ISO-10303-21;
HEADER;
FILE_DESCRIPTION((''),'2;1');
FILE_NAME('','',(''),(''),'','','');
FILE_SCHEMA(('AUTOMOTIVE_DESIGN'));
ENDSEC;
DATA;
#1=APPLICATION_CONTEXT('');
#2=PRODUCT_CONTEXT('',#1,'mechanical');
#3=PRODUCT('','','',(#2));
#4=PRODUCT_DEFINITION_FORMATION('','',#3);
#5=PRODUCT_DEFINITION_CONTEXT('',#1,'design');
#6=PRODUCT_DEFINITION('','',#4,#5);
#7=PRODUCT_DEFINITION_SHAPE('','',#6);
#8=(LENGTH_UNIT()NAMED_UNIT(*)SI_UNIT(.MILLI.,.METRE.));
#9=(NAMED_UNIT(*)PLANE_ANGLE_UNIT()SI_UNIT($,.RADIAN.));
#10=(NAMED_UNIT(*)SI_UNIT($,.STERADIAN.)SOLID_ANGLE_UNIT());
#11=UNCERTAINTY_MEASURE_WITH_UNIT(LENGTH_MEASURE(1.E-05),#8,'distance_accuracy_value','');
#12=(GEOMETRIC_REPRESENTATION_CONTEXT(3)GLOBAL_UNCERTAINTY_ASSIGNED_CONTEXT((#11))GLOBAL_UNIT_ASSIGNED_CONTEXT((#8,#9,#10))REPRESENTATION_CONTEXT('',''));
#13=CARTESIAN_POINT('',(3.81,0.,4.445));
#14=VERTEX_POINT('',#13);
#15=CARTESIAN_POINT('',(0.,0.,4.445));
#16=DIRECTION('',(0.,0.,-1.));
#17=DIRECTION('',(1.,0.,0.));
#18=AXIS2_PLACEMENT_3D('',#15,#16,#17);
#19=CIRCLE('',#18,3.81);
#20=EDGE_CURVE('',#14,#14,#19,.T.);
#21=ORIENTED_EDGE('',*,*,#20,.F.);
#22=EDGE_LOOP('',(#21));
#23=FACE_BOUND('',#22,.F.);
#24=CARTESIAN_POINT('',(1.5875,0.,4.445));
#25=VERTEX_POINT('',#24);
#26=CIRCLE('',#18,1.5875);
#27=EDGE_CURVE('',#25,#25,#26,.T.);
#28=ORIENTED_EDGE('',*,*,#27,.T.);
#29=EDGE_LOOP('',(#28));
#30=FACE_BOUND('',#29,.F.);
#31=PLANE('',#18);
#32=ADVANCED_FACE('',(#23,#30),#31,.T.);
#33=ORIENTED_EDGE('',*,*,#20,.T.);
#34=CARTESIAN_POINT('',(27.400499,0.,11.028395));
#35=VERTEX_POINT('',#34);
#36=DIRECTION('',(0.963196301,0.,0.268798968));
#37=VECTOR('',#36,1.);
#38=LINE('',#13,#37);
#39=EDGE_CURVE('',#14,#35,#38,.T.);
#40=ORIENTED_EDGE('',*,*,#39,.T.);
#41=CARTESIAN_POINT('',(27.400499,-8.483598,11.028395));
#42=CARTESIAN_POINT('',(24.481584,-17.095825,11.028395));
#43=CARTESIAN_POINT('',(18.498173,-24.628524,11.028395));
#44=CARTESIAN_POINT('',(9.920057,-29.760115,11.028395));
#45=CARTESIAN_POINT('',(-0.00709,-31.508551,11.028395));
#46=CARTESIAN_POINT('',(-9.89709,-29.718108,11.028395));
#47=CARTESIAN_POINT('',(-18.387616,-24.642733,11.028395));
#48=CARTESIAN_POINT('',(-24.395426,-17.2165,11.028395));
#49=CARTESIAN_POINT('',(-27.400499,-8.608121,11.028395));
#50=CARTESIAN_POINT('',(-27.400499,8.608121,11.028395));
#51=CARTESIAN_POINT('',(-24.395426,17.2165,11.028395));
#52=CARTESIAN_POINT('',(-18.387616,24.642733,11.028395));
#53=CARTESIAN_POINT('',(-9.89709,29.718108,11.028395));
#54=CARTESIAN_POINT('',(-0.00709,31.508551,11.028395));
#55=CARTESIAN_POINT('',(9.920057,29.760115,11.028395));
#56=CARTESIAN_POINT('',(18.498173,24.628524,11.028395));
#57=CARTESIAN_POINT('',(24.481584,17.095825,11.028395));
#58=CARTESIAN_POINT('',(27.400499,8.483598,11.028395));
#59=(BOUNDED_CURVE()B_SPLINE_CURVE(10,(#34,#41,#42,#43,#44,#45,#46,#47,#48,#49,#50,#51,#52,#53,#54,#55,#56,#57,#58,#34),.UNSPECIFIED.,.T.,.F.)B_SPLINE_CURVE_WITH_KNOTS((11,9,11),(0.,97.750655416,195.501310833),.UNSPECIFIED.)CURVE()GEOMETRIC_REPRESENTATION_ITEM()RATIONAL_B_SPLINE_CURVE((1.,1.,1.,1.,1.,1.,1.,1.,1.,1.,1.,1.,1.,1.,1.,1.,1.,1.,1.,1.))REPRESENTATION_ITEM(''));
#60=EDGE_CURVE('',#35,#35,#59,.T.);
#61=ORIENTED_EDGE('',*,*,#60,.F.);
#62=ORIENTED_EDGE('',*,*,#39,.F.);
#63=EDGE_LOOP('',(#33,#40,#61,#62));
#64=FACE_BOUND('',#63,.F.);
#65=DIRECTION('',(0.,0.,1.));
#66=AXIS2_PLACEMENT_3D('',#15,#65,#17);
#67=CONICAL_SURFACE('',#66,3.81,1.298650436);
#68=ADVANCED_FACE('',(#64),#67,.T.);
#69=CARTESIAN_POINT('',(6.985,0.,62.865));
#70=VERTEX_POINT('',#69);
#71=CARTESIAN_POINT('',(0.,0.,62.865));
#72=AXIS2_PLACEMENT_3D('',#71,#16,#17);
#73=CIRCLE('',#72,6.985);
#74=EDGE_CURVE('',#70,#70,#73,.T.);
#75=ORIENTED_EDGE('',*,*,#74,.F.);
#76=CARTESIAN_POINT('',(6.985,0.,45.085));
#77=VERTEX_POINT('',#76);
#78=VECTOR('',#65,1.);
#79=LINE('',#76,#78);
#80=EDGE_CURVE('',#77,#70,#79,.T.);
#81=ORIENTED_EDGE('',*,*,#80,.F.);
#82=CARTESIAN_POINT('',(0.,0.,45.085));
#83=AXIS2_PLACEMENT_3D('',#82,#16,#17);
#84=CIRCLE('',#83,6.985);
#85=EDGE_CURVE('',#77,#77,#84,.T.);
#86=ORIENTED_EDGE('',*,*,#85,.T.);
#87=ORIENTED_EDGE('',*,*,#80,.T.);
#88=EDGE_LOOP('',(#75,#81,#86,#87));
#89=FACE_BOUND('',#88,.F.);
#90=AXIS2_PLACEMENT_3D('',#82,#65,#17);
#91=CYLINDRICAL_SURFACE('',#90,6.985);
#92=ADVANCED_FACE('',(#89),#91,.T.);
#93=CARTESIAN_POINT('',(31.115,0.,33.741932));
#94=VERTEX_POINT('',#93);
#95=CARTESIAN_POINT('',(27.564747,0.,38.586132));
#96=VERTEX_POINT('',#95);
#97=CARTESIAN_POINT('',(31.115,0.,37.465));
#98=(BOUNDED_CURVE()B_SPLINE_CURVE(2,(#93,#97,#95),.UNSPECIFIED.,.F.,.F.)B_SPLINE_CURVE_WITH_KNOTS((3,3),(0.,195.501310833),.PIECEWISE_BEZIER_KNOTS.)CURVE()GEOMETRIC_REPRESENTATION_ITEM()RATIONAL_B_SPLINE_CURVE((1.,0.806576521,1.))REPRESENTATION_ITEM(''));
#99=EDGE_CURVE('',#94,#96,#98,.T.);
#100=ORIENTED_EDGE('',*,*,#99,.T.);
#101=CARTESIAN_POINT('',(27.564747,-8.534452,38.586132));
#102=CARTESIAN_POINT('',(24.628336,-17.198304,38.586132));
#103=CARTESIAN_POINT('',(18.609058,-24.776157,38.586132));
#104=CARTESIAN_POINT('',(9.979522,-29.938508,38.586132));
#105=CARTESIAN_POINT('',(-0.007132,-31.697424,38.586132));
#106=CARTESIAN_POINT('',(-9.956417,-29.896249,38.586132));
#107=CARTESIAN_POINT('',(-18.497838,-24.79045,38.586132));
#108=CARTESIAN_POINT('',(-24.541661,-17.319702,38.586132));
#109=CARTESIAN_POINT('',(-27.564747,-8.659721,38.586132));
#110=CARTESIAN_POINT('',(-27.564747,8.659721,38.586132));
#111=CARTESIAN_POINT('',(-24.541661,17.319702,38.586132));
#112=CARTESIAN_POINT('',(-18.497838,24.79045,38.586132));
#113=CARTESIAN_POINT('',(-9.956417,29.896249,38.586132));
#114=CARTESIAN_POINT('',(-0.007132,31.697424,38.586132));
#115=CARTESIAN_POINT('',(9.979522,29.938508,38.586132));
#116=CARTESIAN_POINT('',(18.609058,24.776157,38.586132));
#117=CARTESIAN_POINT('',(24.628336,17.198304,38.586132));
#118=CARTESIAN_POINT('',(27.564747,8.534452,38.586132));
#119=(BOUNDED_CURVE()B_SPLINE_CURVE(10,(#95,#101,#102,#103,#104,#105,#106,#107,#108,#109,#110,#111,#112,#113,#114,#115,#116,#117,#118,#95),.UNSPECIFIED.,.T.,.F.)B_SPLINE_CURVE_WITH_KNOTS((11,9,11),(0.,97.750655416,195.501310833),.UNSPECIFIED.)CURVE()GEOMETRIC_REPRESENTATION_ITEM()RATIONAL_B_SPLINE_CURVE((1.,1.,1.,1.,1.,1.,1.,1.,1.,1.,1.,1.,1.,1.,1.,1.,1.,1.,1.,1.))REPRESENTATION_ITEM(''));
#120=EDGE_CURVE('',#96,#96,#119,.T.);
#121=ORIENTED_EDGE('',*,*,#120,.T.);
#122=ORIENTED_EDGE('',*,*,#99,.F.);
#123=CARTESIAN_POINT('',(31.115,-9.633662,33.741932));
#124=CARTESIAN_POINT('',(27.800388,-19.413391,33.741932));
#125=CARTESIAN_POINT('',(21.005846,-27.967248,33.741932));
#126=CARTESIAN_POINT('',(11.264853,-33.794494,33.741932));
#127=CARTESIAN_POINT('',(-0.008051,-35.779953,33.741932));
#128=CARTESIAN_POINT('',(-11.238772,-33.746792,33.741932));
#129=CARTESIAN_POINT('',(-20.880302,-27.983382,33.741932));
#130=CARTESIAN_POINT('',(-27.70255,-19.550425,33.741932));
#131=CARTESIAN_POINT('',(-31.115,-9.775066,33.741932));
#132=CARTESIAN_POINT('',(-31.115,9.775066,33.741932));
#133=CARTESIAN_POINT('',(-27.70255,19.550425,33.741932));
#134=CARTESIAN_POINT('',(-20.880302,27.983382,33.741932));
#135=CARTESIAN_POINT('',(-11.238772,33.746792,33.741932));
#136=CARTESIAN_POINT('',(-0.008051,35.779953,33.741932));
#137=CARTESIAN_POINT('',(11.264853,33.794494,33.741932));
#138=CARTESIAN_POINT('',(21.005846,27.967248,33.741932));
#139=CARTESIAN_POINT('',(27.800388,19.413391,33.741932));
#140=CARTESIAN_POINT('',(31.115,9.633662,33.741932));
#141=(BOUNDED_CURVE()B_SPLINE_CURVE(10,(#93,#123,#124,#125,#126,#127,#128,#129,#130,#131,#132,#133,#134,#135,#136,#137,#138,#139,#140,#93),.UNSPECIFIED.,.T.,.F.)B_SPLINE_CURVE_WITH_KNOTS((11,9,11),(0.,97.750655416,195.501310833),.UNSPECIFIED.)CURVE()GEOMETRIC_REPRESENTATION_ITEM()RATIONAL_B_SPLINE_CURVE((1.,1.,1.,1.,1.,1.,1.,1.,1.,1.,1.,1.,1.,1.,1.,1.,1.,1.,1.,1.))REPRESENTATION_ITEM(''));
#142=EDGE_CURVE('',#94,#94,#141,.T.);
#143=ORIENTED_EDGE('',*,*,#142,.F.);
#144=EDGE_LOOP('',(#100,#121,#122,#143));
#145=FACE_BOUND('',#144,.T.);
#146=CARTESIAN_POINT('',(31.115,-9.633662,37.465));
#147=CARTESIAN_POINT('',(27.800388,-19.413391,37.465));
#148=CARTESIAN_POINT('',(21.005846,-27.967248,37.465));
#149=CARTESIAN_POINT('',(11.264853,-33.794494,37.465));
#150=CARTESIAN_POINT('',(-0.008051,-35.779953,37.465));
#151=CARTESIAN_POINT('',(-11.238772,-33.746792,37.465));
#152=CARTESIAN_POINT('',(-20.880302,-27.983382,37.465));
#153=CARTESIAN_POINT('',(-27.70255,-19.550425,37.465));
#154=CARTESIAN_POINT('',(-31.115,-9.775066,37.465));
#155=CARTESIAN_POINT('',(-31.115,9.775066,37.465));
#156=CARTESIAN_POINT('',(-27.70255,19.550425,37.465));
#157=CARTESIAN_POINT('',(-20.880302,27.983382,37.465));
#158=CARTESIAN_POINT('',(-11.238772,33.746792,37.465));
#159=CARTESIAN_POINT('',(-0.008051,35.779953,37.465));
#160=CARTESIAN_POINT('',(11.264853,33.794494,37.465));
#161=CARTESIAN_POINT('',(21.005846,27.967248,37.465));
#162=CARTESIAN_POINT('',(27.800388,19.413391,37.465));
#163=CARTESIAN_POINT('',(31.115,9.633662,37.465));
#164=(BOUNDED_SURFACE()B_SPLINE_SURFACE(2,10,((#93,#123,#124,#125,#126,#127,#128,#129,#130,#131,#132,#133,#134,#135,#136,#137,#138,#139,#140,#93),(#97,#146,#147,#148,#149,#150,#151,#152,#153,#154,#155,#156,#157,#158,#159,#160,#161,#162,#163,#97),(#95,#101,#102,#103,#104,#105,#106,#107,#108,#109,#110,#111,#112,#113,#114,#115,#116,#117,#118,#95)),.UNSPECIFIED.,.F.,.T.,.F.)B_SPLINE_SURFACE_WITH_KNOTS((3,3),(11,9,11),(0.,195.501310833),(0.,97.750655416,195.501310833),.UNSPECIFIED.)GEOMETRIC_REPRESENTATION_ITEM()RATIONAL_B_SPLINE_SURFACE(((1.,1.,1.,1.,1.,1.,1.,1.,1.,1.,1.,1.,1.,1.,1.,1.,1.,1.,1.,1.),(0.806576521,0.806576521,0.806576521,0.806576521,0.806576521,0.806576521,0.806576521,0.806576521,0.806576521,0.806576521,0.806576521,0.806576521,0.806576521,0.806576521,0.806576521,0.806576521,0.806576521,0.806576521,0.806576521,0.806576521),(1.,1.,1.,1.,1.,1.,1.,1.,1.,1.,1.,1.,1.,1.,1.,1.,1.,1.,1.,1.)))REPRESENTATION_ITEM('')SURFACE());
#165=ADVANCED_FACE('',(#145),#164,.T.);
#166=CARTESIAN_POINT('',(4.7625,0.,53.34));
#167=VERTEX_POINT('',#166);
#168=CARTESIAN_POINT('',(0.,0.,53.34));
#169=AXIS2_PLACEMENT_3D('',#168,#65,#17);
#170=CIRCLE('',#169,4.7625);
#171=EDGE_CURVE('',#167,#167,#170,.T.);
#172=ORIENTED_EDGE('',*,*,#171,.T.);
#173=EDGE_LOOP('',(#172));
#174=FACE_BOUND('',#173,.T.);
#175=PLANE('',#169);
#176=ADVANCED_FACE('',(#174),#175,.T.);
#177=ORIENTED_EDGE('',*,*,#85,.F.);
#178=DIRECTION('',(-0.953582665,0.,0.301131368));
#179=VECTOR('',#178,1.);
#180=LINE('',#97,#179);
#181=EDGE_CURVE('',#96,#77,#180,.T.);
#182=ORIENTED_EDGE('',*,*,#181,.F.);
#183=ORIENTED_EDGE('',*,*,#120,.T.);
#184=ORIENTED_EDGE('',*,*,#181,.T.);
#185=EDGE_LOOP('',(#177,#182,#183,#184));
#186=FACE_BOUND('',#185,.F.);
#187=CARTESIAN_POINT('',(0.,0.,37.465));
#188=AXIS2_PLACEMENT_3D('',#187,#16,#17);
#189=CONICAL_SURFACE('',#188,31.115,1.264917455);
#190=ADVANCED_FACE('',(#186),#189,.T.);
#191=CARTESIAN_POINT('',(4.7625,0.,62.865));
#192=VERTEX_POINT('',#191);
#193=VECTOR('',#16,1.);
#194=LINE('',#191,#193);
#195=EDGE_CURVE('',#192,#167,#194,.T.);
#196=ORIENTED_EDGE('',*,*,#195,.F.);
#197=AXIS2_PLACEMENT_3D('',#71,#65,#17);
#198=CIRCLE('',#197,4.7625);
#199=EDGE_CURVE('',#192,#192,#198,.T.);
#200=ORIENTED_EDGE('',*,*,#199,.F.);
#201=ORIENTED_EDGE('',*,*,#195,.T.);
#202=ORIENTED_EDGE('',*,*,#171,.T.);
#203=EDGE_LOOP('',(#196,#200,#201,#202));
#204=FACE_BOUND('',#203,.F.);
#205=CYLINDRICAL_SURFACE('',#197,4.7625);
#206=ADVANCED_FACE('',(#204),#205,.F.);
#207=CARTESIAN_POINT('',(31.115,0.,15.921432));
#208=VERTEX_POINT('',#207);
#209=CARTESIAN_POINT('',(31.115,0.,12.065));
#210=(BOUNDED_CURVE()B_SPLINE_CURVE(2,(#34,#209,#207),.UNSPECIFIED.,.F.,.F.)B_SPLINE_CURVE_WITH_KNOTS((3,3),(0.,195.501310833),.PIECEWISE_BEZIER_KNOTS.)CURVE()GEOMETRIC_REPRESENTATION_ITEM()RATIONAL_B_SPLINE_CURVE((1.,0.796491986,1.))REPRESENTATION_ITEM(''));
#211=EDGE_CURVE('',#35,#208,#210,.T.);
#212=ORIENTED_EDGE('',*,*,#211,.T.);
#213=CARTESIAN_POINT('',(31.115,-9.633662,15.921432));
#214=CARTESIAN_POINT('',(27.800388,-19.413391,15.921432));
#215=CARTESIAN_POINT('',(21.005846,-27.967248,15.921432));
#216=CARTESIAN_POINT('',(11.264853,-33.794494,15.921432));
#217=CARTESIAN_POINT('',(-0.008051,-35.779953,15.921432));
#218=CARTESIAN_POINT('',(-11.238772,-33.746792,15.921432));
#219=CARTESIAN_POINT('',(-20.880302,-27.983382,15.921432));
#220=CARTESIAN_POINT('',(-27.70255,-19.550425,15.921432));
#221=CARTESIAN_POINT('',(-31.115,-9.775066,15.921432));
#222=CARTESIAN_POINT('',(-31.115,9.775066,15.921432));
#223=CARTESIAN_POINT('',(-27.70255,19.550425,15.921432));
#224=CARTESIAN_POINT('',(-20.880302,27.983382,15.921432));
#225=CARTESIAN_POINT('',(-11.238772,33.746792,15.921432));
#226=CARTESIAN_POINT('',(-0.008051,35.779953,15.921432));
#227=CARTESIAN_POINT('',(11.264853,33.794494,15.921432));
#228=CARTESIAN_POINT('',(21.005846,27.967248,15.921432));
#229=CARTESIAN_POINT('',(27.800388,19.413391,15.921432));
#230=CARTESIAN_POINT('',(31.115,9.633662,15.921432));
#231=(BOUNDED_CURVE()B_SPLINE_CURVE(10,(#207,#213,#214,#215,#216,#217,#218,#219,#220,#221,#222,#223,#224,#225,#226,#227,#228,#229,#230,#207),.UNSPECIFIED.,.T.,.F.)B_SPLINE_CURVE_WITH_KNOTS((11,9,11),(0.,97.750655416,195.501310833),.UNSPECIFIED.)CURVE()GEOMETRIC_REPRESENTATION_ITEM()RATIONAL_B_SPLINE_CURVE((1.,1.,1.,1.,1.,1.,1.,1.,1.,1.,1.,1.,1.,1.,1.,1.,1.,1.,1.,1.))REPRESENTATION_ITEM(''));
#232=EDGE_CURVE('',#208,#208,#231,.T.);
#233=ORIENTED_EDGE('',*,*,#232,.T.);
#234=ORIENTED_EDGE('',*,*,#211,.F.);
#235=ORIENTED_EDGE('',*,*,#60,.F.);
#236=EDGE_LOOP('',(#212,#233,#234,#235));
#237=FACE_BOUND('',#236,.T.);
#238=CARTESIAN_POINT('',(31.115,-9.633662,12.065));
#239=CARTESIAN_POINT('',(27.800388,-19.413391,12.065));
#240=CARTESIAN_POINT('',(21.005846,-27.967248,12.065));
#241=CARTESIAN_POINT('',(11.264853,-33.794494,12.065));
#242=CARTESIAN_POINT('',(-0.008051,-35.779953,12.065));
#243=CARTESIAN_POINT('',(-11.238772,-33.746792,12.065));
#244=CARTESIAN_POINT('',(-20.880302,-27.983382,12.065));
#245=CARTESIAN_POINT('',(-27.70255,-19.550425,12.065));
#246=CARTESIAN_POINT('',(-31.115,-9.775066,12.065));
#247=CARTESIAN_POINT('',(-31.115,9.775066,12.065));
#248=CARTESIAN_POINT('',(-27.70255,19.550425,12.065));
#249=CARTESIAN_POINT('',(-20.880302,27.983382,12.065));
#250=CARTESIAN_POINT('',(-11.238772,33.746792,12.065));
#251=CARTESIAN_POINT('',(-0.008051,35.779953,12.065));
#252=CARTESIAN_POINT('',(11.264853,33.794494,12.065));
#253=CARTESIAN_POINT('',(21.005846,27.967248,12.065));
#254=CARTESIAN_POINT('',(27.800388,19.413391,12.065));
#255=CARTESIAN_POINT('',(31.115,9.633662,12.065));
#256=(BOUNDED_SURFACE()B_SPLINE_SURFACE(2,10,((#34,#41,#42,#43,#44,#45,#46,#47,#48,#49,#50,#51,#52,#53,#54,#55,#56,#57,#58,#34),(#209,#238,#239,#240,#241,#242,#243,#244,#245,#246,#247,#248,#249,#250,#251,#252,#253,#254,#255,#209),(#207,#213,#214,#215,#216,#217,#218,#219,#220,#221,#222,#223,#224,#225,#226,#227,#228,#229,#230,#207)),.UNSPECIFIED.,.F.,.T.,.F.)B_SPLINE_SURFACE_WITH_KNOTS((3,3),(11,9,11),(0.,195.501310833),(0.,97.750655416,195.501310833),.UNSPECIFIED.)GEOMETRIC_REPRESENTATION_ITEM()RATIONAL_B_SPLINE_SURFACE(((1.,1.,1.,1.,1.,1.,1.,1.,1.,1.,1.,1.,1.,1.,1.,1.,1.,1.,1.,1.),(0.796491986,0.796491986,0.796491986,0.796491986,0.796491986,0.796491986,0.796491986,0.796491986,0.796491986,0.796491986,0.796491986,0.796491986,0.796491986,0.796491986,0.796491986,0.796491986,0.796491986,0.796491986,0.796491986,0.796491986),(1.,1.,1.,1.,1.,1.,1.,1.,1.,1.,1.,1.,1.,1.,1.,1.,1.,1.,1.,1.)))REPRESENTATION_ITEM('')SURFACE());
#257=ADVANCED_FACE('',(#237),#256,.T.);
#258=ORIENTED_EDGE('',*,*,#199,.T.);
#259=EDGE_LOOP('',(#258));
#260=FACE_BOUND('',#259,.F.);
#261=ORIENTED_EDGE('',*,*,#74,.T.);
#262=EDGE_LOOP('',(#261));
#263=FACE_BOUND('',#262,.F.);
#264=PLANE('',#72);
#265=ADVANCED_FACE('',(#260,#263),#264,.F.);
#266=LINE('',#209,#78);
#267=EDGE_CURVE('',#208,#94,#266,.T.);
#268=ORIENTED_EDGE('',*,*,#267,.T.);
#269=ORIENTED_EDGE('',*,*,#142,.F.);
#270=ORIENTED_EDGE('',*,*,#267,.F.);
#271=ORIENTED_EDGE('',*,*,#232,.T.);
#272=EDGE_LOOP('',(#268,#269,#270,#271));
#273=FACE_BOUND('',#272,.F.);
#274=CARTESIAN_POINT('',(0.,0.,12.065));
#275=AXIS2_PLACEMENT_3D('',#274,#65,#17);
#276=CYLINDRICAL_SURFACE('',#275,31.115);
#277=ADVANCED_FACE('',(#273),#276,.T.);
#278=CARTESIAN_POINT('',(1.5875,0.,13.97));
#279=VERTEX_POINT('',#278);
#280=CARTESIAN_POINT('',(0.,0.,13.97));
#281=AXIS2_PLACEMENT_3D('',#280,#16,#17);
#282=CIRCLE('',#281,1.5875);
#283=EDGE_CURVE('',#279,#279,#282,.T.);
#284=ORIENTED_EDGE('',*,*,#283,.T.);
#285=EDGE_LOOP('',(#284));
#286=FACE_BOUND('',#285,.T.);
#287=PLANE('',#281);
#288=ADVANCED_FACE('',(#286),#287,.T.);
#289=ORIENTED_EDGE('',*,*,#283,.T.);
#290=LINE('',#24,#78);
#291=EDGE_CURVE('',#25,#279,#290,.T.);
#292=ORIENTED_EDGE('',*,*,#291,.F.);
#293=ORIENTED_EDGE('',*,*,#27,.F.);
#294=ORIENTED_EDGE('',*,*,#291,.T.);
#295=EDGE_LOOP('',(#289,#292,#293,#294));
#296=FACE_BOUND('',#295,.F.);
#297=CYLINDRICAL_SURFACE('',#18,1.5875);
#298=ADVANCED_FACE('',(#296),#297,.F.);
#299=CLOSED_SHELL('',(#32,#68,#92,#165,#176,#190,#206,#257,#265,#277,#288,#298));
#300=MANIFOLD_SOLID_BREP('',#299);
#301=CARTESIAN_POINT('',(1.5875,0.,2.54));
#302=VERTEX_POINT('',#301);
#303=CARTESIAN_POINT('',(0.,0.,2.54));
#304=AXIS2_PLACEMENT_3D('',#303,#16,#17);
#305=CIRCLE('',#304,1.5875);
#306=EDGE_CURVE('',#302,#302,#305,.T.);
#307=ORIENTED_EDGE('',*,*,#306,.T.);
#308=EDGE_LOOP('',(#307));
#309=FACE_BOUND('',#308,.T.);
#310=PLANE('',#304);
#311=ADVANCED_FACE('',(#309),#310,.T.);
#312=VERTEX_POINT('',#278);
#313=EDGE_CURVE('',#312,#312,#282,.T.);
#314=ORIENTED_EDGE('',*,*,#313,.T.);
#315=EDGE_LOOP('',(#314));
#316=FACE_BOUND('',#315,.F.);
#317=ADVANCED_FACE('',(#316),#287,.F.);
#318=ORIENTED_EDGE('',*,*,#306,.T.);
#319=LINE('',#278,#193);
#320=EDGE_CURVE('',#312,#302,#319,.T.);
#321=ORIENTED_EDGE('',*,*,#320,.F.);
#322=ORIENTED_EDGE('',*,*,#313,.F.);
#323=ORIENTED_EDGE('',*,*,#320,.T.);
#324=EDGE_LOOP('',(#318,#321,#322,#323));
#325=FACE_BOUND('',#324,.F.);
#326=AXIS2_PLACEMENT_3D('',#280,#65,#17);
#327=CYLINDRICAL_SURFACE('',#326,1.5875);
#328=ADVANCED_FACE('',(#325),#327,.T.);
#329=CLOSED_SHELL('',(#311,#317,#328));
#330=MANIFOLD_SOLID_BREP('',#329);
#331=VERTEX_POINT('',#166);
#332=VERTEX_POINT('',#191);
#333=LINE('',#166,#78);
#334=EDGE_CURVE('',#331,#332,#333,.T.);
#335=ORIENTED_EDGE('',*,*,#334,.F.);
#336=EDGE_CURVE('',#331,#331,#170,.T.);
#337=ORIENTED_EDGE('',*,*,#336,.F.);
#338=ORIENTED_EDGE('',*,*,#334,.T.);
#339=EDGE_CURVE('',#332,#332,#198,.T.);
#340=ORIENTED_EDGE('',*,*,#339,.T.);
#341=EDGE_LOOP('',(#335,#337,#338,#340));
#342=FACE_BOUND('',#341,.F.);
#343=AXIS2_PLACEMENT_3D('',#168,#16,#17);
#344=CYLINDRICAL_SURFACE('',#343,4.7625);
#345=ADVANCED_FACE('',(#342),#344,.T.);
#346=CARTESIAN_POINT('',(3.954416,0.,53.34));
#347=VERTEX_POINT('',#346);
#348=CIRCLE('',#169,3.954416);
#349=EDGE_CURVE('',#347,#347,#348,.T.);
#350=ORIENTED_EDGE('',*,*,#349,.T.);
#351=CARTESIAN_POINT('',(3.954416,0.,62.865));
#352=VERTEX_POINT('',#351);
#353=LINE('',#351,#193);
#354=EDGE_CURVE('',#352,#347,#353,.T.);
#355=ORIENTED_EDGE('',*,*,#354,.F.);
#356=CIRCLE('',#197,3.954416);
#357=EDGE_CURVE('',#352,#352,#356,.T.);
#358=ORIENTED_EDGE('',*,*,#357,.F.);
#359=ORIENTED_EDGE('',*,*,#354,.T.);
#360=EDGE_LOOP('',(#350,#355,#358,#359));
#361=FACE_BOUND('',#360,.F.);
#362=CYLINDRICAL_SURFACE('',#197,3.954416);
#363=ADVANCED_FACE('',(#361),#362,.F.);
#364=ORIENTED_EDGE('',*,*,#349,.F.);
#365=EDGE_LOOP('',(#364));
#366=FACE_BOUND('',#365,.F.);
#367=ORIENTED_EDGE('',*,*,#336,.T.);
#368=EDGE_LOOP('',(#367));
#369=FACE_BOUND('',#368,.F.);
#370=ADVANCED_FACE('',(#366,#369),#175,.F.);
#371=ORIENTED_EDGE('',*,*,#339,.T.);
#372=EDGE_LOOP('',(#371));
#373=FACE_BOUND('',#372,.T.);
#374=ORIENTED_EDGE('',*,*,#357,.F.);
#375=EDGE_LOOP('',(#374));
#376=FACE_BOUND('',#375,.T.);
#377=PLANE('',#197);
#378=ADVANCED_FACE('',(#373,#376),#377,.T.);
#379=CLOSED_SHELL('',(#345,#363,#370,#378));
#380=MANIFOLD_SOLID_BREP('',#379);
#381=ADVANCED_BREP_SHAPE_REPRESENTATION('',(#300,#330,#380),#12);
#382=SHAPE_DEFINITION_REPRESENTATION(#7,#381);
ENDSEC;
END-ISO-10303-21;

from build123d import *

# Parameters (mm, degrees)
F2_R      = 4.7625
F3_DEPTH  = 9.525
F4_R      = 1.5875
F5_DEPTH  = 9.525
F3_FACE_R = 4.7625
F6_DEPTH  = 9.525
F7_R      = 3.954416
F8_DEPTH  = 9.525
F5_FACE_R = 1.5875
F9_DEPTH  = 11.43
F10_R     = 5.08


with BuildPart() as f1:
    # F0 (on Front) → F1 (revolve)
    with BuildSketch(Plane.XZ):
        Polygon((3.81, 4.445), (31.115, 12.065), (31.115, 37.465), (6.985, 45.085), (6.985, 62.865), (0, 62.865), (0, 4.445), align=None)
    revolve(axis=Axis((0, 0, 33.655), (0, 0, -1)))

    # F2 (on face) → F3 (cut)
    with BuildSketch(Plane.XY.offset(62.865)):
        Circle(F2_R)
    extrude(amount=-F3_DEPTH, mode=Mode.SUBTRACT)

    # F4 (on face) → F5 (cut)
    with BuildSketch(Plane(origin=(0, 0, 4.445), x_dir=(1, 0, 0), z_dir=(0, 0, -1))):
        Circle(F4_R)
    extrude(amount=-F5_DEPTH, mode=Mode.SUBTRACT)

    # F10
    f10_edges = [f1.edges().sort_by_distance(p)[0] for p in [
        (-31.115, 0, 12.065),
        (-31.115, 0, 37.465),
        (31.115, 0, 24.765),
    ]]
    fillet(f10_edges, radius=F10_R)


with BuildPart() as f6:
    # F3_face (on face) → F6 (new body)
    with BuildSketch(Plane.XY.offset(53.34)):
        Circle(F3_FACE_R)
    extrude(amount=F6_DEPTH)

    # F7 (on face) → F8 (cut)
    with BuildSketch(Plane.XY.offset(62.865)):
        Circle(F7_R)
    extrude(amount=-F8_DEPTH, mode=Mode.SUBTRACT)


with BuildPart() as f9:
    # F5_face (on face) → F9 (new body)
    with BuildSketch(Plane(origin=(0, 0, 13.97), x_dir=(1, 0, 0), z_dir=(0, 0, -1))):
        Circle(F5_FACE_R)
    extrude(amount=F9_DEPTH)


solid = Compound([f1.part, f6.part, f9.part])
